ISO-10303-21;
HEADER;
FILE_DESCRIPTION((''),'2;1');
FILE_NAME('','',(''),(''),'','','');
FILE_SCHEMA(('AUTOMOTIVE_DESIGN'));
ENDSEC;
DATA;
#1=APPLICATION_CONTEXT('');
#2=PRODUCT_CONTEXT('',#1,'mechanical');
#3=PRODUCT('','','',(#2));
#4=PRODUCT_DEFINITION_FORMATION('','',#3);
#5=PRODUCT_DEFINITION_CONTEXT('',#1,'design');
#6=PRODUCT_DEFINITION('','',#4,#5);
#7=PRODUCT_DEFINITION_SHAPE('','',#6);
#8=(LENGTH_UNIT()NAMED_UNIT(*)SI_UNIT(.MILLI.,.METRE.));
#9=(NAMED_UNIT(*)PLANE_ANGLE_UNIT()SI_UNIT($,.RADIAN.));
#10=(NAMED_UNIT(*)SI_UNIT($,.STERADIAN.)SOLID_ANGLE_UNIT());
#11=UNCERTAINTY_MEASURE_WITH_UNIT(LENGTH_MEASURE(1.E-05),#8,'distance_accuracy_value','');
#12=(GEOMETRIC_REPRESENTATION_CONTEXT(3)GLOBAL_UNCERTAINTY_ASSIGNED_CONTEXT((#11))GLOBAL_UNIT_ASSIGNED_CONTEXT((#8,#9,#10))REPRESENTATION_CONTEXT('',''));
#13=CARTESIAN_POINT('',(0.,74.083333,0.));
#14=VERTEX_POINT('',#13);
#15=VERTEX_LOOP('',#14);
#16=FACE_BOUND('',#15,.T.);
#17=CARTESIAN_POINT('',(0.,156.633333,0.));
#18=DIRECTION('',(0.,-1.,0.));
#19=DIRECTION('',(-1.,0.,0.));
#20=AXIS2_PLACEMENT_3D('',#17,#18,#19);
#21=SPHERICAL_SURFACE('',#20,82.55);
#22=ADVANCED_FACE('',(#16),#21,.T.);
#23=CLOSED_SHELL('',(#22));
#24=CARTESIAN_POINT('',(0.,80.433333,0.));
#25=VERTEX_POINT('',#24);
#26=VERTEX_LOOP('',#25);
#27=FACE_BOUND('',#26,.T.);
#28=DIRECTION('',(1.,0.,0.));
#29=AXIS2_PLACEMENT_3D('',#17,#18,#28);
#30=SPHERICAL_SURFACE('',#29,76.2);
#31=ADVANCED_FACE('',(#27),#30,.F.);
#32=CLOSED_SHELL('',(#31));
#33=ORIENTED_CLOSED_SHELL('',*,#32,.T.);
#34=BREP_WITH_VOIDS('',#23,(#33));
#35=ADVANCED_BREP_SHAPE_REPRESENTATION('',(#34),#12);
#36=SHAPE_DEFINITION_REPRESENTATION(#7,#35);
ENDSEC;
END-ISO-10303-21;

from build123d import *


with BuildPart() as part:
    # Sketch1 → Revolve2 (revolve)
    with BuildSketch(Plane.XY):
        with BuildLine():
            Line((0, 232.833333333), (0, 239.183333333))
            ThreePointArc((0, 239.183333333), (-82.55, 156.633333333), (0, 74.083333333))
            Line((0, 74.083333333), (0, 80.433333333))
            ThreePointArc((0, 80.433333333), (-76.2, 156.633333333), (0, 232.833333333))
        make_face()
    revolve(axis=Axis((0, 232.833333333, 0), (0, 1, 0)))


solid = part.part
